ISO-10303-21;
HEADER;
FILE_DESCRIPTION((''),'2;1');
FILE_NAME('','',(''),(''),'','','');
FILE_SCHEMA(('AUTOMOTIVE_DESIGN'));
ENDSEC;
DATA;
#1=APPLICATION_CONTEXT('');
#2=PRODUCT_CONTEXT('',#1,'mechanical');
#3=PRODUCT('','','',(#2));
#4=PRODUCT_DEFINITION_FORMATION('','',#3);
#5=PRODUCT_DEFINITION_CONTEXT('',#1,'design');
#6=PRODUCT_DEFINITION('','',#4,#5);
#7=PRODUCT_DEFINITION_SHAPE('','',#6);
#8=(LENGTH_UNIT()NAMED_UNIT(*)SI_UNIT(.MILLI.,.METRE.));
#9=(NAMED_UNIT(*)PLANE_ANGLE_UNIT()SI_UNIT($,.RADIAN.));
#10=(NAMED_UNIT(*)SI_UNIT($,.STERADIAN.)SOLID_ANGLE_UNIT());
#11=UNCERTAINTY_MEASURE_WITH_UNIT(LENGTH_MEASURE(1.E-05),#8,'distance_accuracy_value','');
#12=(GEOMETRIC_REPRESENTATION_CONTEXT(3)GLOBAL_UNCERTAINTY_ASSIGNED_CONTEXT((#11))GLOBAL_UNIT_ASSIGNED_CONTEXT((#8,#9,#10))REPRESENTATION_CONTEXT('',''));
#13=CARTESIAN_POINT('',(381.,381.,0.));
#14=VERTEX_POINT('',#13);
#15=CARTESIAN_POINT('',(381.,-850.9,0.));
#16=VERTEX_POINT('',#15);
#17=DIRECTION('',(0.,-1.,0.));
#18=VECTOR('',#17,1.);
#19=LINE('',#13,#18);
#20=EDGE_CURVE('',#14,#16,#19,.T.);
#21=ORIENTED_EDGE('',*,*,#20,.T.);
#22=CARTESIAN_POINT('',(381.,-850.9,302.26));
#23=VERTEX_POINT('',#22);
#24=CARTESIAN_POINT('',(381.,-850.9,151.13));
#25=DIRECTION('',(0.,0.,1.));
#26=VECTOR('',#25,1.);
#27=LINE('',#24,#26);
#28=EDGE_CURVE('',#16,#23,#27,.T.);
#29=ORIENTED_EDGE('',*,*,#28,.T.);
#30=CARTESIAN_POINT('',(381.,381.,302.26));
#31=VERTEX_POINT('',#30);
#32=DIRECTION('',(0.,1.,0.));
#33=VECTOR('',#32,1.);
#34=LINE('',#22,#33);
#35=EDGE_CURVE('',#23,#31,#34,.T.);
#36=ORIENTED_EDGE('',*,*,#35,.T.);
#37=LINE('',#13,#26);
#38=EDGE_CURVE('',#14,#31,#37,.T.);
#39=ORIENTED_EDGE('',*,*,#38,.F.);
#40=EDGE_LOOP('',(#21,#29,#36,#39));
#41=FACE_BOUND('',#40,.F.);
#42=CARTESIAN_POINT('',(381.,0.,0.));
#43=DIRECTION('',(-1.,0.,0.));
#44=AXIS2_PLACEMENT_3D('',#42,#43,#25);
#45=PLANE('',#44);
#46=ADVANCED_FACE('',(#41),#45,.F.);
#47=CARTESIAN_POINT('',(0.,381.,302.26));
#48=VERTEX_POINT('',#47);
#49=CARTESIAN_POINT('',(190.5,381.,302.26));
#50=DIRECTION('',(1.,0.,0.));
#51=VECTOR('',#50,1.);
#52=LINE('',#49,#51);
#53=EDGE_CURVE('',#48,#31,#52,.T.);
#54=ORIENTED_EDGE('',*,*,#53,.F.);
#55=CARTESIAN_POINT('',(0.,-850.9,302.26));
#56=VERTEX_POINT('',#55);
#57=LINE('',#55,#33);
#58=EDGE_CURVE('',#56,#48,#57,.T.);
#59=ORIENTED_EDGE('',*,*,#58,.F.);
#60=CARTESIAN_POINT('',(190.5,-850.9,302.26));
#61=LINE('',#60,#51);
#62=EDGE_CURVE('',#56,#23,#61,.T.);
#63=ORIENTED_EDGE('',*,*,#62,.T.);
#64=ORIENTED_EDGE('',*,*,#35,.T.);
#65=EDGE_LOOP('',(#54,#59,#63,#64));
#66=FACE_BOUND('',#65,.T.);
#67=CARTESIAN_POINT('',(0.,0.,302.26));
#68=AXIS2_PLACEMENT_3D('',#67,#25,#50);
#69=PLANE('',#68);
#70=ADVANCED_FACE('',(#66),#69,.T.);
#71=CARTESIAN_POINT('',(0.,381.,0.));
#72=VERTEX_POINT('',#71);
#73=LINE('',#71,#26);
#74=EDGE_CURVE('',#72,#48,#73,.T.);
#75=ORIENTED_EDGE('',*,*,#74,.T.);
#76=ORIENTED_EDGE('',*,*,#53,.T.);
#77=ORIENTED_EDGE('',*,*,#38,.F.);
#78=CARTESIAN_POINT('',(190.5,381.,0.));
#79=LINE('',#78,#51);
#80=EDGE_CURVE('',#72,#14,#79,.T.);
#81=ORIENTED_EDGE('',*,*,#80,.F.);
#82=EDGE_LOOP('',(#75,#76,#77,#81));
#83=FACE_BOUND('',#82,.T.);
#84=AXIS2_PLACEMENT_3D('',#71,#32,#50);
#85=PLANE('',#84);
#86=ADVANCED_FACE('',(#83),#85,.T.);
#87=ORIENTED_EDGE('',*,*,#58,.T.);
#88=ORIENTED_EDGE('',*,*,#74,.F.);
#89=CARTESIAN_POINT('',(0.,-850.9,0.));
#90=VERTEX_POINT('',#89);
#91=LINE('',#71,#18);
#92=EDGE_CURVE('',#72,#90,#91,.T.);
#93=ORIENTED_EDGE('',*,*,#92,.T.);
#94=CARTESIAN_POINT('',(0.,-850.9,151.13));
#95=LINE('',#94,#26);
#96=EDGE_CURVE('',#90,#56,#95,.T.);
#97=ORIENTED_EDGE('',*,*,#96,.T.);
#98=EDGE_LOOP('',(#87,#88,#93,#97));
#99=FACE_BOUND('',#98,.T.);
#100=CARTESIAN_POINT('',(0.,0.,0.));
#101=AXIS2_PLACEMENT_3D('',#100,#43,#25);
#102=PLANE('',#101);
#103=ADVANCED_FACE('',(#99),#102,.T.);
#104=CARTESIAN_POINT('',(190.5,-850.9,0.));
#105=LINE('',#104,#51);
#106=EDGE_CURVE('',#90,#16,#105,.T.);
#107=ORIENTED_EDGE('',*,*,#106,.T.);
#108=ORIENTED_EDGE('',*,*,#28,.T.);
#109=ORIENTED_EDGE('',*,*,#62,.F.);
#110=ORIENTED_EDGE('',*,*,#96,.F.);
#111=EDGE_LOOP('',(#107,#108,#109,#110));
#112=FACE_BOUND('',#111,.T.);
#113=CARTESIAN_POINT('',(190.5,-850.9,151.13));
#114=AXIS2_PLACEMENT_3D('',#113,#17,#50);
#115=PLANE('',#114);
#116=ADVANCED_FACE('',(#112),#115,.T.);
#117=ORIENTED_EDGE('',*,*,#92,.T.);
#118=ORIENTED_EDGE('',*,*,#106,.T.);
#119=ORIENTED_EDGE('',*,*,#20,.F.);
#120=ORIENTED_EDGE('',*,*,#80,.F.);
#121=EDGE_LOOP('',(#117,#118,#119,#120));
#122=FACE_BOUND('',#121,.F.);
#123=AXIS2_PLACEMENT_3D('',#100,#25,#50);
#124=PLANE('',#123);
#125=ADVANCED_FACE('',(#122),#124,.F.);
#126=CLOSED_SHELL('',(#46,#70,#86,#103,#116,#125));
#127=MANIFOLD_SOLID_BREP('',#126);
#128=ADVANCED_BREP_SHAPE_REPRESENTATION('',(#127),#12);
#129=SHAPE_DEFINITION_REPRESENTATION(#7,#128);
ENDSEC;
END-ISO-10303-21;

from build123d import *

# Parameters (mm, degrees)
F1_W      = 381
F1_H      = 381
F2_DEPTH  = 302.26
F2_FACE_W = 381
F2_FACE_H = 302.26
F3_DEPTH  = 850.9


with BuildPart() as f2:
    # F1 (on face) → F2 (new body)
    with BuildSketch(Plane.XY):
        with Locations((190.5, 190.5)):
            Rectangle(F1_W, F1_H)
    extrude(amount=F2_DEPTH)

    # F2_face (on face) → F3 (join)
    with BuildSketch(Plane(origin=(190.5, 0, 151.13), x_dir=(1, 0, 0), z_dir=(0, -1, 0))):
        Rectangle(F2_FACE_W, F2_FACE_H)
    extrude(amount=F3_DEPTH)


solid = f2.part
